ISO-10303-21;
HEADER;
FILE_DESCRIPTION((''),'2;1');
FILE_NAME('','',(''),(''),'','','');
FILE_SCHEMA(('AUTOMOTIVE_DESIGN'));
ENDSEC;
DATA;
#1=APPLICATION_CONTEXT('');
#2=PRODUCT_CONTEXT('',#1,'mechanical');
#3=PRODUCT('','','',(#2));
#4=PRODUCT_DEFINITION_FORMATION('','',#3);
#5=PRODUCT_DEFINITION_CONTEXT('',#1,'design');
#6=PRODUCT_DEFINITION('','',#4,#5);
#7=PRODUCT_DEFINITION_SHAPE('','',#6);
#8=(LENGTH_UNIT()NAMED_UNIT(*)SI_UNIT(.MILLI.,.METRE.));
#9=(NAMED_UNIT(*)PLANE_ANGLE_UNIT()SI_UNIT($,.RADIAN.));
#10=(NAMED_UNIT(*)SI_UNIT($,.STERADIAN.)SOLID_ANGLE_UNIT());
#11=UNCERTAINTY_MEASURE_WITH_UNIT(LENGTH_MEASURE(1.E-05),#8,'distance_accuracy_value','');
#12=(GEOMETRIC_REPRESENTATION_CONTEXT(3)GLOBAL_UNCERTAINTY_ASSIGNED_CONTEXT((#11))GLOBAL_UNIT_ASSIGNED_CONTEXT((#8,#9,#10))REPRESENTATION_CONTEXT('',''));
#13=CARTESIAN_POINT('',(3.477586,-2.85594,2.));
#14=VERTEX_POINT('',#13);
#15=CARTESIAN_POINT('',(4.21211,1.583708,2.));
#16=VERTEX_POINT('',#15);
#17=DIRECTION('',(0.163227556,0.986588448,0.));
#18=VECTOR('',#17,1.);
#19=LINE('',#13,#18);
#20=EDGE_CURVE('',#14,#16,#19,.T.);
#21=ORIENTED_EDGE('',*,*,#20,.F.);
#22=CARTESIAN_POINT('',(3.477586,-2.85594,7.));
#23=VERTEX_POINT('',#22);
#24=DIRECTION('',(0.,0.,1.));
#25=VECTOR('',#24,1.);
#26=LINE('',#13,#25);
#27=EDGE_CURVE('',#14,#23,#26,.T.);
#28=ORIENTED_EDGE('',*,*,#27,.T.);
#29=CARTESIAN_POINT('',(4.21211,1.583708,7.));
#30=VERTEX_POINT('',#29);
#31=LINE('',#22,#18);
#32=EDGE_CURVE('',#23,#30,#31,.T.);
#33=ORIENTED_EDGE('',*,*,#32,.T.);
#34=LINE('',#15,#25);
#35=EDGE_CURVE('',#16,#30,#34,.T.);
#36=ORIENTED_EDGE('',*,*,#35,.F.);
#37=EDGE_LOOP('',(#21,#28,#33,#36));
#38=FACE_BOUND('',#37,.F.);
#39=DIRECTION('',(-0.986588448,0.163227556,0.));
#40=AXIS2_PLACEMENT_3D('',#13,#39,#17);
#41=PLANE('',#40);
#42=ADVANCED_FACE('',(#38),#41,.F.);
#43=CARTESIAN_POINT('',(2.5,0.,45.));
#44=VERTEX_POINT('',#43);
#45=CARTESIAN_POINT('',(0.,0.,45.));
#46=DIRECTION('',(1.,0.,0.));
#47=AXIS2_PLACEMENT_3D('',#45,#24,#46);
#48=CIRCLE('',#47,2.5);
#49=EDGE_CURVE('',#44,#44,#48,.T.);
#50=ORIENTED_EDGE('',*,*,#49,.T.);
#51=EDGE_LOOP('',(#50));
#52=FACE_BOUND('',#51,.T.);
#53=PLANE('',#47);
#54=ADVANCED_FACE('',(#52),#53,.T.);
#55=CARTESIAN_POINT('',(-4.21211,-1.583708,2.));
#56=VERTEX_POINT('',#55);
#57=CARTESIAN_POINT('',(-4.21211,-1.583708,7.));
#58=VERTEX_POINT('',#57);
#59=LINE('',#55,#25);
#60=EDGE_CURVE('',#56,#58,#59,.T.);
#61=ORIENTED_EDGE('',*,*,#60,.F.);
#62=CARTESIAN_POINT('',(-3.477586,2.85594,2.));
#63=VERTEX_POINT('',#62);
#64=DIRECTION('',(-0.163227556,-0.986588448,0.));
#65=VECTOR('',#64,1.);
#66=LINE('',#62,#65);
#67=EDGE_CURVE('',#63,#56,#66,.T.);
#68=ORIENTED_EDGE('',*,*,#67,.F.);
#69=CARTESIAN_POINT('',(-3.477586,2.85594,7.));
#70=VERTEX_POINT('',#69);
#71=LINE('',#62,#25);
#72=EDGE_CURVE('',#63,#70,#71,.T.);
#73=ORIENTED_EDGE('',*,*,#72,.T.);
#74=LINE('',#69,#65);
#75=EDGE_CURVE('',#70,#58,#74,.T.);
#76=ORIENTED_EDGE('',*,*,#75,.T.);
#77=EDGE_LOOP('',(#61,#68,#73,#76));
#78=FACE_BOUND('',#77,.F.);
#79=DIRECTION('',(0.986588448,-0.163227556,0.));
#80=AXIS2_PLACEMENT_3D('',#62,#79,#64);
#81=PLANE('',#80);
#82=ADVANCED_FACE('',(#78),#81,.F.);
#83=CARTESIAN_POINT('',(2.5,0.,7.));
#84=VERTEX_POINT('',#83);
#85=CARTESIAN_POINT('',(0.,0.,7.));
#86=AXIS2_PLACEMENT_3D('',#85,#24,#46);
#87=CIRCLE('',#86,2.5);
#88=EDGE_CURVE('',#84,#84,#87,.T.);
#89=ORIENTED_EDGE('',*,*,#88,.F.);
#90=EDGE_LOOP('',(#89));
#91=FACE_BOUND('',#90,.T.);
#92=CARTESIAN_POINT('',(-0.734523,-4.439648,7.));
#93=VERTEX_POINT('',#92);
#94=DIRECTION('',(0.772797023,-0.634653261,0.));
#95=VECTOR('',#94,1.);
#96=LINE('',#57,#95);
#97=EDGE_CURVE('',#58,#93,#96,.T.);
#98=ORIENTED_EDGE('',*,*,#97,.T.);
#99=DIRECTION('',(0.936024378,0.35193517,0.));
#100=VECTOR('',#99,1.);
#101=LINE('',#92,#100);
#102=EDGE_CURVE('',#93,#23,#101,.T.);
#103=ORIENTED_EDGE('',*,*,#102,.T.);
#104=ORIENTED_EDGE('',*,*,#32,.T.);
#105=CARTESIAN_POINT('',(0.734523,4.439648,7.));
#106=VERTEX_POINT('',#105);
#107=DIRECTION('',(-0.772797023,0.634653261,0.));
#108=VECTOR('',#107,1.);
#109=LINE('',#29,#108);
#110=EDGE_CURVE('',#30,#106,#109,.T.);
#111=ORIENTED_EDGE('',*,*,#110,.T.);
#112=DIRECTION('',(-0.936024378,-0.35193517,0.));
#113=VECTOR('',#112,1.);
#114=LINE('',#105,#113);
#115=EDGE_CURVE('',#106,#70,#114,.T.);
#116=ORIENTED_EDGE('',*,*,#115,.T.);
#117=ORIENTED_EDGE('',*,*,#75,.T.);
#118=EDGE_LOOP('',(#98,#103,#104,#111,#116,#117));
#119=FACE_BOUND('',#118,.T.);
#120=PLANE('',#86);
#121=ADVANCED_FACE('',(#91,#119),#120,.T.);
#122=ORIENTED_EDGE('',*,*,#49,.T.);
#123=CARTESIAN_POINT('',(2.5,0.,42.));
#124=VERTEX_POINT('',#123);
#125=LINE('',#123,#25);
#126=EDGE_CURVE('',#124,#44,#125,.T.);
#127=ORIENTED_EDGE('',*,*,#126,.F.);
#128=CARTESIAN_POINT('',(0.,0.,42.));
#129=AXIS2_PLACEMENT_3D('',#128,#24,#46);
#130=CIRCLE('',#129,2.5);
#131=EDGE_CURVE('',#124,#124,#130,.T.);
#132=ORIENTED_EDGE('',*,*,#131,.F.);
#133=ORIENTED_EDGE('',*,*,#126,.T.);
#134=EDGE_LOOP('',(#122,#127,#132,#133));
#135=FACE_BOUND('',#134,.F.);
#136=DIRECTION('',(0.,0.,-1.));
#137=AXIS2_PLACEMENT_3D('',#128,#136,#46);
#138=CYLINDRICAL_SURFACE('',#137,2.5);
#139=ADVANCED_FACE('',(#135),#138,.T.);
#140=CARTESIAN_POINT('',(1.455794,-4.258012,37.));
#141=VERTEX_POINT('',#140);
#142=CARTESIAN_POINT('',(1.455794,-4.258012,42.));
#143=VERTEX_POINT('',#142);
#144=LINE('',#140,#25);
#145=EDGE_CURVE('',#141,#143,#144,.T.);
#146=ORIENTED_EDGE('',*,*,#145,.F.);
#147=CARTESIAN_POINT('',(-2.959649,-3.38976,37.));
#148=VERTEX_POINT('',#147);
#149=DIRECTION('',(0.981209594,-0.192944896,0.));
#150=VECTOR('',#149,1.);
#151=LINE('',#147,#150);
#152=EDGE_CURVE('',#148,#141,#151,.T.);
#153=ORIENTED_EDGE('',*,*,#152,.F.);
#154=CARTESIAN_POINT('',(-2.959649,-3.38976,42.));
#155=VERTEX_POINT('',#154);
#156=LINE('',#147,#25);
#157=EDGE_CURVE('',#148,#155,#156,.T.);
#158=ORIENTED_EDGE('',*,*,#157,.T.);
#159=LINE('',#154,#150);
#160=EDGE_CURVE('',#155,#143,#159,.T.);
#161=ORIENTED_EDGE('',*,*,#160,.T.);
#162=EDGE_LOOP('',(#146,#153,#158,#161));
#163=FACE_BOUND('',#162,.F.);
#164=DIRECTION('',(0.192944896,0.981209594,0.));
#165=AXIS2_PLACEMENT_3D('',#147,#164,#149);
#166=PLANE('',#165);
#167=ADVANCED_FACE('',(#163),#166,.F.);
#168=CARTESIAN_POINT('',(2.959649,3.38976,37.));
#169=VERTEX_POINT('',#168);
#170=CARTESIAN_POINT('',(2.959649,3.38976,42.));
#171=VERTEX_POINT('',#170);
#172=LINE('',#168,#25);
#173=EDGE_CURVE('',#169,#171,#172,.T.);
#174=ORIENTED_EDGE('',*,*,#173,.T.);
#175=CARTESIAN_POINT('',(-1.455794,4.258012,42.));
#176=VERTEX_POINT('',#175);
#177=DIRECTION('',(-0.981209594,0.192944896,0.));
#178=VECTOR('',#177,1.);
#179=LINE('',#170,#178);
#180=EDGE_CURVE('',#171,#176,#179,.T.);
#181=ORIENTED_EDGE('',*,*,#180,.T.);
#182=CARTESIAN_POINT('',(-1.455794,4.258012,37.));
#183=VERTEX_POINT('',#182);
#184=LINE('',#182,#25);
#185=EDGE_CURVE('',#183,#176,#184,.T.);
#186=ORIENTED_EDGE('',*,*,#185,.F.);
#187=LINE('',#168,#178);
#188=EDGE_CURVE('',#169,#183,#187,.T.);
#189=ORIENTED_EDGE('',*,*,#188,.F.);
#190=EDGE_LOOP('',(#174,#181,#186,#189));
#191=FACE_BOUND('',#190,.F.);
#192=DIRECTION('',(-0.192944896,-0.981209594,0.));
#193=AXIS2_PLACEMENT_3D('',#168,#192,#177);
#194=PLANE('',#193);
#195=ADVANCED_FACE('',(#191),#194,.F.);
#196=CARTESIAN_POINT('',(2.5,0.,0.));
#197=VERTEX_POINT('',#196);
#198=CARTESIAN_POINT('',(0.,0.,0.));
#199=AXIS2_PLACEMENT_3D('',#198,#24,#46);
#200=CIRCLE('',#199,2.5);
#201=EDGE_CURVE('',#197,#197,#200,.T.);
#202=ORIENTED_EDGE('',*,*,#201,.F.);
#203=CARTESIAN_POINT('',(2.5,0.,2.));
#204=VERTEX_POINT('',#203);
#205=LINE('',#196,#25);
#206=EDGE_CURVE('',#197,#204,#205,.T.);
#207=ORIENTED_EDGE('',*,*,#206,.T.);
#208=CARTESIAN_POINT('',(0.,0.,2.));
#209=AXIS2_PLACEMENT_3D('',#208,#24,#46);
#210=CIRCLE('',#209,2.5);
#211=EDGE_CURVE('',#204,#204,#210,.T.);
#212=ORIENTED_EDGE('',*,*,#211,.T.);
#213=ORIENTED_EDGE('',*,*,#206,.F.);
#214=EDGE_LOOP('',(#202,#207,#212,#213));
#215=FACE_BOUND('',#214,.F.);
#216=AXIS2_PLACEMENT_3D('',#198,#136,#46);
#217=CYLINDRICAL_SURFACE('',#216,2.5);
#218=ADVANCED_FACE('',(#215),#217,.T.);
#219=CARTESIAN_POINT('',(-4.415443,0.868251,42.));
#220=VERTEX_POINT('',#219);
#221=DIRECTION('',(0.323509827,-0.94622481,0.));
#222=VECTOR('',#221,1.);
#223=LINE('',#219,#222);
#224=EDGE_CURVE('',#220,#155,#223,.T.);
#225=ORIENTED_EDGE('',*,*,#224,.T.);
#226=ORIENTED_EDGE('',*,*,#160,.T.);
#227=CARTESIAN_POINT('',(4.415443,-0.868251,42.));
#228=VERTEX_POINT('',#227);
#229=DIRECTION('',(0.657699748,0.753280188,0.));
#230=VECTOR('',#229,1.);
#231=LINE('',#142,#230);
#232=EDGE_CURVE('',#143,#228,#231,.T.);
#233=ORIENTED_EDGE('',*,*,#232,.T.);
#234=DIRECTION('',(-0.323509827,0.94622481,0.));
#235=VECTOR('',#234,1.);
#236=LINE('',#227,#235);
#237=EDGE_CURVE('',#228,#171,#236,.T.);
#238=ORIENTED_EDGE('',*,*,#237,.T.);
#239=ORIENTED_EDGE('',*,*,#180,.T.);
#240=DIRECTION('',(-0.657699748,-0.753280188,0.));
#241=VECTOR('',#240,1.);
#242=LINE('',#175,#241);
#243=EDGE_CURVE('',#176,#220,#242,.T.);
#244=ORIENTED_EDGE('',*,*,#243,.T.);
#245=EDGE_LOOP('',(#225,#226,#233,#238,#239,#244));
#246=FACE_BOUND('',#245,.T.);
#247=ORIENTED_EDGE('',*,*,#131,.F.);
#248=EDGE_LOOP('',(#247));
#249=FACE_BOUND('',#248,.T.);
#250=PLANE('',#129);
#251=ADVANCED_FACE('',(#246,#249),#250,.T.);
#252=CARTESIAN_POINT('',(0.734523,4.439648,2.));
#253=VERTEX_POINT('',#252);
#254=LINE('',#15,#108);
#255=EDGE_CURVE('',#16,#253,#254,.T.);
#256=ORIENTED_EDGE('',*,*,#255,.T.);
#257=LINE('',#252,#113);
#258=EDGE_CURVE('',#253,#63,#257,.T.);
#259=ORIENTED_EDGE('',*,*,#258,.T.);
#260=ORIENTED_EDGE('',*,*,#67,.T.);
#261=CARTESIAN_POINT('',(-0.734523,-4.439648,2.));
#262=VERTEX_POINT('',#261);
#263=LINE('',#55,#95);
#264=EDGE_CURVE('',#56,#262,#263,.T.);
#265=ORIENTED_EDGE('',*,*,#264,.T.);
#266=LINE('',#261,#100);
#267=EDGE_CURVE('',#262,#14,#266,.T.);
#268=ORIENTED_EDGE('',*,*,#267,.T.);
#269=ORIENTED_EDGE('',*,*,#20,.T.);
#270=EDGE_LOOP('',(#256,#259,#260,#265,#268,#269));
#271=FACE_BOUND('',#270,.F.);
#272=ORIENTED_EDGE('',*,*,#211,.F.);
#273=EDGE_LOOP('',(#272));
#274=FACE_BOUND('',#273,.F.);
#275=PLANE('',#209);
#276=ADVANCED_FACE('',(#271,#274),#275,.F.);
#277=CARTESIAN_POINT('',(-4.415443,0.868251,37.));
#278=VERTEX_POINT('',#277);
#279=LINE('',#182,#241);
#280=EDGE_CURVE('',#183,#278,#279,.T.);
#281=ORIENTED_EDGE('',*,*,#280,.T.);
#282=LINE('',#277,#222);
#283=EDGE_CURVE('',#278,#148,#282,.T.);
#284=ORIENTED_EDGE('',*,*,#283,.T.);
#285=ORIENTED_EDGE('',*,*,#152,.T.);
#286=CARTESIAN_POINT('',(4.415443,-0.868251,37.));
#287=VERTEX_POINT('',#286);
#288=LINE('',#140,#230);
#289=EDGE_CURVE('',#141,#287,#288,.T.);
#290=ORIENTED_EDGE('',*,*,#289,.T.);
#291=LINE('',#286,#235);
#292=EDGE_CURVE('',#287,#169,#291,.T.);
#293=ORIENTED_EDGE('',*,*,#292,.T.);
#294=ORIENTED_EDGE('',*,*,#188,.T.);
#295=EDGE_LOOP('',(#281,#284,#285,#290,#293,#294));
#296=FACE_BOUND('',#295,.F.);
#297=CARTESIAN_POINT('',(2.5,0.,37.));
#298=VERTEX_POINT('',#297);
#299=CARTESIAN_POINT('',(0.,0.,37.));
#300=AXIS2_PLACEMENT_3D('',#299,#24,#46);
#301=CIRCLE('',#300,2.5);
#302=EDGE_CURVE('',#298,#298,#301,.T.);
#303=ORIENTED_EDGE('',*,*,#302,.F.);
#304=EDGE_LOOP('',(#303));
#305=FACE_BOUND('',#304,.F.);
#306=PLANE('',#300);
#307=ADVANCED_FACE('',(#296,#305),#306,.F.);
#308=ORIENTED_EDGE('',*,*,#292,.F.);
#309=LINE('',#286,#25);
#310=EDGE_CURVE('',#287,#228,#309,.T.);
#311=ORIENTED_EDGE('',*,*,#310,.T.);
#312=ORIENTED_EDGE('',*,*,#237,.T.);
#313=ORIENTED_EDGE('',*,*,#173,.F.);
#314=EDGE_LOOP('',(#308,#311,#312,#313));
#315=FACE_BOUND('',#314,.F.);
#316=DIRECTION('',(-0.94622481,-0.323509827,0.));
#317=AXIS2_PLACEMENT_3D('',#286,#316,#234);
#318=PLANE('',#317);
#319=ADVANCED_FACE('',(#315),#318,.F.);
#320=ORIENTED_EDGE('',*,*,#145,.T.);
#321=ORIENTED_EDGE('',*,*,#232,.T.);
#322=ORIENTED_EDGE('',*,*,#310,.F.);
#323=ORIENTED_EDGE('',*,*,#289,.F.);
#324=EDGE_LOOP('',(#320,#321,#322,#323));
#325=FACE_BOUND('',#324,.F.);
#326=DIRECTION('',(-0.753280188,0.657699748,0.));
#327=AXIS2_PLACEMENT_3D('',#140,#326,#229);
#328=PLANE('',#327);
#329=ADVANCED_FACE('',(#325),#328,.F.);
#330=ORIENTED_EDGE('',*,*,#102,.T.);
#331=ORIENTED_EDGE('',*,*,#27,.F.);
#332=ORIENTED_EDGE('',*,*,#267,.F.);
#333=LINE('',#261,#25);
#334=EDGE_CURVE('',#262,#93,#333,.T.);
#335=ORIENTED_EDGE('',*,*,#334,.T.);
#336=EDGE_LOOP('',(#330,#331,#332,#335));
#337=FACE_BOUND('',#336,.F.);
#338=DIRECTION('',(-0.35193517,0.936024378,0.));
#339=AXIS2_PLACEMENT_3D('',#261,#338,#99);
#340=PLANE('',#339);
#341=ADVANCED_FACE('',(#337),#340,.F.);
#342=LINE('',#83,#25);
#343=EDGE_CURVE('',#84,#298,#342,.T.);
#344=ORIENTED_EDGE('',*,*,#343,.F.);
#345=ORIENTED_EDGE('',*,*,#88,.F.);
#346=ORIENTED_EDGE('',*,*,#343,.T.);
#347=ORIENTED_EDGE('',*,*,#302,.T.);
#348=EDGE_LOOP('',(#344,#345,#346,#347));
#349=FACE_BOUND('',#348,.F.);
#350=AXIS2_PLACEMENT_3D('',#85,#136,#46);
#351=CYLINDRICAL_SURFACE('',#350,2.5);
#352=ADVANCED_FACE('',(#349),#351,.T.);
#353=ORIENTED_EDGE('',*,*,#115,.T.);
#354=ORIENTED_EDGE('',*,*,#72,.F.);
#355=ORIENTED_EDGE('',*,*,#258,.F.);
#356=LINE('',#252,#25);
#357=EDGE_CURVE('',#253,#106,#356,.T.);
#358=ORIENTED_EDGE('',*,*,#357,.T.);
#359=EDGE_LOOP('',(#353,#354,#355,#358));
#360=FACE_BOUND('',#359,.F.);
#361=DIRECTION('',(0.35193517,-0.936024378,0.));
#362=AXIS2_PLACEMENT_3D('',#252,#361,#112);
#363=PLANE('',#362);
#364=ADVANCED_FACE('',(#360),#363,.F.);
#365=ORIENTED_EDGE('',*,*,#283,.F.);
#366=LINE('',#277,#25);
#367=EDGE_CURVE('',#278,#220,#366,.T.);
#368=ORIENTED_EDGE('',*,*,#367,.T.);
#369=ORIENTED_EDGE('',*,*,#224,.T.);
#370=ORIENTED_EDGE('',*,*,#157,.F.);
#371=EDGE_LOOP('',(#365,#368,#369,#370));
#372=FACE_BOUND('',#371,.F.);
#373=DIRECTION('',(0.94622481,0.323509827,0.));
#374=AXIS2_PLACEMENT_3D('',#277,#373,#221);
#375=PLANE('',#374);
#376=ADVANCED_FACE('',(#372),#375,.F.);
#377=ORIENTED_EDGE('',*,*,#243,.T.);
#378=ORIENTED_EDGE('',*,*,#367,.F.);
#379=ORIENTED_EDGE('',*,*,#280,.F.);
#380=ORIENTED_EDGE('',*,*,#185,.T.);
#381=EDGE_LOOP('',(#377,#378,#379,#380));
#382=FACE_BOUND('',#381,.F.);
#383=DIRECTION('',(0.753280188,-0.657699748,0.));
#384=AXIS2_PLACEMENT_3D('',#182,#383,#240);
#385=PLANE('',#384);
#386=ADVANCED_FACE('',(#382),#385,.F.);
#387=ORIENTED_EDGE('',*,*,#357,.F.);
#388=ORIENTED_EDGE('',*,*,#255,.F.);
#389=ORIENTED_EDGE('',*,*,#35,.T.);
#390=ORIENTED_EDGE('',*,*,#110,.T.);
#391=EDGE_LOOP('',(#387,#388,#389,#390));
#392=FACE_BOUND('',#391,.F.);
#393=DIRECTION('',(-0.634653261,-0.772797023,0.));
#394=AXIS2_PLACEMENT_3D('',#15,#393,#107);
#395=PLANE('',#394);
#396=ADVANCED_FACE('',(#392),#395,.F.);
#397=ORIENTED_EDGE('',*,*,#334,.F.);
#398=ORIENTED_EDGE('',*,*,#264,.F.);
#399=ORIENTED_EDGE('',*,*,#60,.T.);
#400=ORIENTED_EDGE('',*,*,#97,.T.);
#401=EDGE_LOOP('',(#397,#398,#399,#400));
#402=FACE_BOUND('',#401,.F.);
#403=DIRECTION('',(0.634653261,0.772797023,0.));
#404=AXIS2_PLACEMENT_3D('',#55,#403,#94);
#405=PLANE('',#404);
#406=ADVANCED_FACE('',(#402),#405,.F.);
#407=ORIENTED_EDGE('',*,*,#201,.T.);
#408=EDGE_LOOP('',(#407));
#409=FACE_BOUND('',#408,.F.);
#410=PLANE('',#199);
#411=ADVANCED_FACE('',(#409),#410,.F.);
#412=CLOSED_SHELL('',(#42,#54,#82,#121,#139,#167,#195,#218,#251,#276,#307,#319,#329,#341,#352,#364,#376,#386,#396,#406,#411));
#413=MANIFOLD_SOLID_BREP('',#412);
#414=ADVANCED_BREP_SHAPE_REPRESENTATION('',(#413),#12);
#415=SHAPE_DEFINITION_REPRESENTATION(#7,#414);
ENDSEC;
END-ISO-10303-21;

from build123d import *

# Parameters (mm, degrees)
SKETCH_R     = 2.5
PAD_DEPTH    = 2
PAD001_DEPTH = 5
SKETCH002_R  = 2.5
PAD002_DEPTH = 30
PAD003_DEPTH = 5
SKETCH004_R  = 2.5
PAD004_DEPTH = 3


with BuildPart() as part:
    # Sketch → Pad (new body)
    with BuildSketch(Plane.XY):
        Circle(SKETCH_R)
    extrude(amount=PAD_DEPTH)

    # Sketch001 (on Face3 of Pad) → Pad001 (join)
    with BuildSketch(Plane.XY.offset(2)):
        Polygon((0.734523, 4.439648), (-3.477586, 2.85594), (-4.21211, -1.583708), (-0.734523, -4.439648), (3.477586, -2.85594), (4.21211, 1.583708), align=None)
    extrude(amount=PAD001_DEPTH)

    # Sketch002 (on Face5 of Pad001) → Pad002 (join)
    with BuildSketch(Plane.XY.offset(7)):
        Circle(SKETCH002_R)
    extrude(amount=PAD002_DEPTH)

    # Sketch003 (on Face12 of Pad002) → Pad003 (join)
    with BuildSketch(Plane.XY.offset(37)):
        Polygon((-1.455794, 4.258012), (-4.415443, 0.868251), (-2.959649, -3.38976), (1.455794, -4.258012), (4.415443, -0.868251), (2.959649, 3.38976), align=None)
    extrude(amount=PAD003_DEPTH)

    # Sketch004 (on Face5 of Pad003) → Pad004 (join)
    with BuildSketch(Plane.XY.offset(42)):
        Circle(SKETCH004_R)
    extrude(amount=PAD004_DEPTH)


solid = part.part
